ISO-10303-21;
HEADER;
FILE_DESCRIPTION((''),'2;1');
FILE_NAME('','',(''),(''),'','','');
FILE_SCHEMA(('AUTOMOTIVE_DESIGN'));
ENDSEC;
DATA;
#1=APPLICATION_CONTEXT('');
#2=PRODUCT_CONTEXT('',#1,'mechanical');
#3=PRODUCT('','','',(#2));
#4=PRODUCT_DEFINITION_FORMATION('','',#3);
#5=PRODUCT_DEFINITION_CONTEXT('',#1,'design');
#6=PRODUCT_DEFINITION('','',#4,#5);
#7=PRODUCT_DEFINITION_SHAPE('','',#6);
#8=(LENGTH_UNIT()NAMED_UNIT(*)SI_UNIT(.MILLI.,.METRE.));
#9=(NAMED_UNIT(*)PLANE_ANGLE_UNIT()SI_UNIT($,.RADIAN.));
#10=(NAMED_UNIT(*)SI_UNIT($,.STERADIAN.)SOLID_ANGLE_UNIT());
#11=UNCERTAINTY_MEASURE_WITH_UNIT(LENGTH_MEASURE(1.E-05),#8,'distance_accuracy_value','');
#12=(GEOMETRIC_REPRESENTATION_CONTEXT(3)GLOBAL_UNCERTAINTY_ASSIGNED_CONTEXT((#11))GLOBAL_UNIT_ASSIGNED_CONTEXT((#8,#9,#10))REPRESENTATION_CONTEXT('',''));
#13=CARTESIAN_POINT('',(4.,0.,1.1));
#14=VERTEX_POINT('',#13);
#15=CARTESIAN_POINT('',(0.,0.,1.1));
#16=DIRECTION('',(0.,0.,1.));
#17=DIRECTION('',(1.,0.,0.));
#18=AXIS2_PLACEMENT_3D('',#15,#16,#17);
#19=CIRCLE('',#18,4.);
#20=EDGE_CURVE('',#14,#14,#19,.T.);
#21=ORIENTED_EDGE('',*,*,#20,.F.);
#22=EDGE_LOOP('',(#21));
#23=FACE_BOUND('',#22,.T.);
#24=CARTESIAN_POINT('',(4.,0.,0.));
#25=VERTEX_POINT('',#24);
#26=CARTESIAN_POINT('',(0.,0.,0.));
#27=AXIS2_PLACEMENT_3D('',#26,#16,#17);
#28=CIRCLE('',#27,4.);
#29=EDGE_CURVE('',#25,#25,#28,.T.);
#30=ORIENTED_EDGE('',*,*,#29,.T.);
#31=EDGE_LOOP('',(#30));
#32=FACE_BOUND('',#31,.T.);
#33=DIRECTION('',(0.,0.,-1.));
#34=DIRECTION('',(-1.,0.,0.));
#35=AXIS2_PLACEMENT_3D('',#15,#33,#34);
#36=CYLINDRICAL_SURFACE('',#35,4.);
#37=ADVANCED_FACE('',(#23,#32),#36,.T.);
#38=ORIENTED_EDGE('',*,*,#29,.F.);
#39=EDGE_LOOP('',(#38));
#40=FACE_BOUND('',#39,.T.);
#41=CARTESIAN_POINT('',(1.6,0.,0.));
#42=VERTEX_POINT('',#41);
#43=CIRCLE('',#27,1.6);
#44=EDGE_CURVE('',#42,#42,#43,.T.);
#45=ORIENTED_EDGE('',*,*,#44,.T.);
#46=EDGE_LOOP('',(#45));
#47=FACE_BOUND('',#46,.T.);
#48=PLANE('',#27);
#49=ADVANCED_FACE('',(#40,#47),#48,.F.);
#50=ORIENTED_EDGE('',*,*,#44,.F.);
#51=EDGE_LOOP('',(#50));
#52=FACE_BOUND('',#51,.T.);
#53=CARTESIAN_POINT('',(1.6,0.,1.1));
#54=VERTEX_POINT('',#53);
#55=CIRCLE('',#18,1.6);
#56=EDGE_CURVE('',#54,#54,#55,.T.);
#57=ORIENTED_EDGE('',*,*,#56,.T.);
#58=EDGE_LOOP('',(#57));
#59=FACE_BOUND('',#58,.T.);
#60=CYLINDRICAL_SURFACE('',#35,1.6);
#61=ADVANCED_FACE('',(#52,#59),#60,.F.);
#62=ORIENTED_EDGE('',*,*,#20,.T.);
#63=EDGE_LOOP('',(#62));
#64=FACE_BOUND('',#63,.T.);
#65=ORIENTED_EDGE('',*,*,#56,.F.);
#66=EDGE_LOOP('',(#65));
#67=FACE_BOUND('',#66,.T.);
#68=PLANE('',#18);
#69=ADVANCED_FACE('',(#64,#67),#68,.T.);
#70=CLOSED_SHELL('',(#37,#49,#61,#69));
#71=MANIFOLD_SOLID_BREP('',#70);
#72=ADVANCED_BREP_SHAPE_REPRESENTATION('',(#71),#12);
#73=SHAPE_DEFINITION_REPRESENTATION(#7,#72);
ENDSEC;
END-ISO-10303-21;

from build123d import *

# Parameters (mm, degrees)
SKETCH1_R           = 4
SKETCH1_R_2         = 1.6
BOSS_EXTRUDE1_DEPTH = 1.1


with BuildPart() as part:
    # Sketch1 → Boss-Extrude1 (new body)
    with BuildSketch(Plane.XY):
        Circle(SKETCH1_R)
        Circle(SKETCH1_R_2, mode=Mode.SUBTRACT)
    extrude(amount=BOSS_EXTRUDE1_DEPTH)


solid = part.part
